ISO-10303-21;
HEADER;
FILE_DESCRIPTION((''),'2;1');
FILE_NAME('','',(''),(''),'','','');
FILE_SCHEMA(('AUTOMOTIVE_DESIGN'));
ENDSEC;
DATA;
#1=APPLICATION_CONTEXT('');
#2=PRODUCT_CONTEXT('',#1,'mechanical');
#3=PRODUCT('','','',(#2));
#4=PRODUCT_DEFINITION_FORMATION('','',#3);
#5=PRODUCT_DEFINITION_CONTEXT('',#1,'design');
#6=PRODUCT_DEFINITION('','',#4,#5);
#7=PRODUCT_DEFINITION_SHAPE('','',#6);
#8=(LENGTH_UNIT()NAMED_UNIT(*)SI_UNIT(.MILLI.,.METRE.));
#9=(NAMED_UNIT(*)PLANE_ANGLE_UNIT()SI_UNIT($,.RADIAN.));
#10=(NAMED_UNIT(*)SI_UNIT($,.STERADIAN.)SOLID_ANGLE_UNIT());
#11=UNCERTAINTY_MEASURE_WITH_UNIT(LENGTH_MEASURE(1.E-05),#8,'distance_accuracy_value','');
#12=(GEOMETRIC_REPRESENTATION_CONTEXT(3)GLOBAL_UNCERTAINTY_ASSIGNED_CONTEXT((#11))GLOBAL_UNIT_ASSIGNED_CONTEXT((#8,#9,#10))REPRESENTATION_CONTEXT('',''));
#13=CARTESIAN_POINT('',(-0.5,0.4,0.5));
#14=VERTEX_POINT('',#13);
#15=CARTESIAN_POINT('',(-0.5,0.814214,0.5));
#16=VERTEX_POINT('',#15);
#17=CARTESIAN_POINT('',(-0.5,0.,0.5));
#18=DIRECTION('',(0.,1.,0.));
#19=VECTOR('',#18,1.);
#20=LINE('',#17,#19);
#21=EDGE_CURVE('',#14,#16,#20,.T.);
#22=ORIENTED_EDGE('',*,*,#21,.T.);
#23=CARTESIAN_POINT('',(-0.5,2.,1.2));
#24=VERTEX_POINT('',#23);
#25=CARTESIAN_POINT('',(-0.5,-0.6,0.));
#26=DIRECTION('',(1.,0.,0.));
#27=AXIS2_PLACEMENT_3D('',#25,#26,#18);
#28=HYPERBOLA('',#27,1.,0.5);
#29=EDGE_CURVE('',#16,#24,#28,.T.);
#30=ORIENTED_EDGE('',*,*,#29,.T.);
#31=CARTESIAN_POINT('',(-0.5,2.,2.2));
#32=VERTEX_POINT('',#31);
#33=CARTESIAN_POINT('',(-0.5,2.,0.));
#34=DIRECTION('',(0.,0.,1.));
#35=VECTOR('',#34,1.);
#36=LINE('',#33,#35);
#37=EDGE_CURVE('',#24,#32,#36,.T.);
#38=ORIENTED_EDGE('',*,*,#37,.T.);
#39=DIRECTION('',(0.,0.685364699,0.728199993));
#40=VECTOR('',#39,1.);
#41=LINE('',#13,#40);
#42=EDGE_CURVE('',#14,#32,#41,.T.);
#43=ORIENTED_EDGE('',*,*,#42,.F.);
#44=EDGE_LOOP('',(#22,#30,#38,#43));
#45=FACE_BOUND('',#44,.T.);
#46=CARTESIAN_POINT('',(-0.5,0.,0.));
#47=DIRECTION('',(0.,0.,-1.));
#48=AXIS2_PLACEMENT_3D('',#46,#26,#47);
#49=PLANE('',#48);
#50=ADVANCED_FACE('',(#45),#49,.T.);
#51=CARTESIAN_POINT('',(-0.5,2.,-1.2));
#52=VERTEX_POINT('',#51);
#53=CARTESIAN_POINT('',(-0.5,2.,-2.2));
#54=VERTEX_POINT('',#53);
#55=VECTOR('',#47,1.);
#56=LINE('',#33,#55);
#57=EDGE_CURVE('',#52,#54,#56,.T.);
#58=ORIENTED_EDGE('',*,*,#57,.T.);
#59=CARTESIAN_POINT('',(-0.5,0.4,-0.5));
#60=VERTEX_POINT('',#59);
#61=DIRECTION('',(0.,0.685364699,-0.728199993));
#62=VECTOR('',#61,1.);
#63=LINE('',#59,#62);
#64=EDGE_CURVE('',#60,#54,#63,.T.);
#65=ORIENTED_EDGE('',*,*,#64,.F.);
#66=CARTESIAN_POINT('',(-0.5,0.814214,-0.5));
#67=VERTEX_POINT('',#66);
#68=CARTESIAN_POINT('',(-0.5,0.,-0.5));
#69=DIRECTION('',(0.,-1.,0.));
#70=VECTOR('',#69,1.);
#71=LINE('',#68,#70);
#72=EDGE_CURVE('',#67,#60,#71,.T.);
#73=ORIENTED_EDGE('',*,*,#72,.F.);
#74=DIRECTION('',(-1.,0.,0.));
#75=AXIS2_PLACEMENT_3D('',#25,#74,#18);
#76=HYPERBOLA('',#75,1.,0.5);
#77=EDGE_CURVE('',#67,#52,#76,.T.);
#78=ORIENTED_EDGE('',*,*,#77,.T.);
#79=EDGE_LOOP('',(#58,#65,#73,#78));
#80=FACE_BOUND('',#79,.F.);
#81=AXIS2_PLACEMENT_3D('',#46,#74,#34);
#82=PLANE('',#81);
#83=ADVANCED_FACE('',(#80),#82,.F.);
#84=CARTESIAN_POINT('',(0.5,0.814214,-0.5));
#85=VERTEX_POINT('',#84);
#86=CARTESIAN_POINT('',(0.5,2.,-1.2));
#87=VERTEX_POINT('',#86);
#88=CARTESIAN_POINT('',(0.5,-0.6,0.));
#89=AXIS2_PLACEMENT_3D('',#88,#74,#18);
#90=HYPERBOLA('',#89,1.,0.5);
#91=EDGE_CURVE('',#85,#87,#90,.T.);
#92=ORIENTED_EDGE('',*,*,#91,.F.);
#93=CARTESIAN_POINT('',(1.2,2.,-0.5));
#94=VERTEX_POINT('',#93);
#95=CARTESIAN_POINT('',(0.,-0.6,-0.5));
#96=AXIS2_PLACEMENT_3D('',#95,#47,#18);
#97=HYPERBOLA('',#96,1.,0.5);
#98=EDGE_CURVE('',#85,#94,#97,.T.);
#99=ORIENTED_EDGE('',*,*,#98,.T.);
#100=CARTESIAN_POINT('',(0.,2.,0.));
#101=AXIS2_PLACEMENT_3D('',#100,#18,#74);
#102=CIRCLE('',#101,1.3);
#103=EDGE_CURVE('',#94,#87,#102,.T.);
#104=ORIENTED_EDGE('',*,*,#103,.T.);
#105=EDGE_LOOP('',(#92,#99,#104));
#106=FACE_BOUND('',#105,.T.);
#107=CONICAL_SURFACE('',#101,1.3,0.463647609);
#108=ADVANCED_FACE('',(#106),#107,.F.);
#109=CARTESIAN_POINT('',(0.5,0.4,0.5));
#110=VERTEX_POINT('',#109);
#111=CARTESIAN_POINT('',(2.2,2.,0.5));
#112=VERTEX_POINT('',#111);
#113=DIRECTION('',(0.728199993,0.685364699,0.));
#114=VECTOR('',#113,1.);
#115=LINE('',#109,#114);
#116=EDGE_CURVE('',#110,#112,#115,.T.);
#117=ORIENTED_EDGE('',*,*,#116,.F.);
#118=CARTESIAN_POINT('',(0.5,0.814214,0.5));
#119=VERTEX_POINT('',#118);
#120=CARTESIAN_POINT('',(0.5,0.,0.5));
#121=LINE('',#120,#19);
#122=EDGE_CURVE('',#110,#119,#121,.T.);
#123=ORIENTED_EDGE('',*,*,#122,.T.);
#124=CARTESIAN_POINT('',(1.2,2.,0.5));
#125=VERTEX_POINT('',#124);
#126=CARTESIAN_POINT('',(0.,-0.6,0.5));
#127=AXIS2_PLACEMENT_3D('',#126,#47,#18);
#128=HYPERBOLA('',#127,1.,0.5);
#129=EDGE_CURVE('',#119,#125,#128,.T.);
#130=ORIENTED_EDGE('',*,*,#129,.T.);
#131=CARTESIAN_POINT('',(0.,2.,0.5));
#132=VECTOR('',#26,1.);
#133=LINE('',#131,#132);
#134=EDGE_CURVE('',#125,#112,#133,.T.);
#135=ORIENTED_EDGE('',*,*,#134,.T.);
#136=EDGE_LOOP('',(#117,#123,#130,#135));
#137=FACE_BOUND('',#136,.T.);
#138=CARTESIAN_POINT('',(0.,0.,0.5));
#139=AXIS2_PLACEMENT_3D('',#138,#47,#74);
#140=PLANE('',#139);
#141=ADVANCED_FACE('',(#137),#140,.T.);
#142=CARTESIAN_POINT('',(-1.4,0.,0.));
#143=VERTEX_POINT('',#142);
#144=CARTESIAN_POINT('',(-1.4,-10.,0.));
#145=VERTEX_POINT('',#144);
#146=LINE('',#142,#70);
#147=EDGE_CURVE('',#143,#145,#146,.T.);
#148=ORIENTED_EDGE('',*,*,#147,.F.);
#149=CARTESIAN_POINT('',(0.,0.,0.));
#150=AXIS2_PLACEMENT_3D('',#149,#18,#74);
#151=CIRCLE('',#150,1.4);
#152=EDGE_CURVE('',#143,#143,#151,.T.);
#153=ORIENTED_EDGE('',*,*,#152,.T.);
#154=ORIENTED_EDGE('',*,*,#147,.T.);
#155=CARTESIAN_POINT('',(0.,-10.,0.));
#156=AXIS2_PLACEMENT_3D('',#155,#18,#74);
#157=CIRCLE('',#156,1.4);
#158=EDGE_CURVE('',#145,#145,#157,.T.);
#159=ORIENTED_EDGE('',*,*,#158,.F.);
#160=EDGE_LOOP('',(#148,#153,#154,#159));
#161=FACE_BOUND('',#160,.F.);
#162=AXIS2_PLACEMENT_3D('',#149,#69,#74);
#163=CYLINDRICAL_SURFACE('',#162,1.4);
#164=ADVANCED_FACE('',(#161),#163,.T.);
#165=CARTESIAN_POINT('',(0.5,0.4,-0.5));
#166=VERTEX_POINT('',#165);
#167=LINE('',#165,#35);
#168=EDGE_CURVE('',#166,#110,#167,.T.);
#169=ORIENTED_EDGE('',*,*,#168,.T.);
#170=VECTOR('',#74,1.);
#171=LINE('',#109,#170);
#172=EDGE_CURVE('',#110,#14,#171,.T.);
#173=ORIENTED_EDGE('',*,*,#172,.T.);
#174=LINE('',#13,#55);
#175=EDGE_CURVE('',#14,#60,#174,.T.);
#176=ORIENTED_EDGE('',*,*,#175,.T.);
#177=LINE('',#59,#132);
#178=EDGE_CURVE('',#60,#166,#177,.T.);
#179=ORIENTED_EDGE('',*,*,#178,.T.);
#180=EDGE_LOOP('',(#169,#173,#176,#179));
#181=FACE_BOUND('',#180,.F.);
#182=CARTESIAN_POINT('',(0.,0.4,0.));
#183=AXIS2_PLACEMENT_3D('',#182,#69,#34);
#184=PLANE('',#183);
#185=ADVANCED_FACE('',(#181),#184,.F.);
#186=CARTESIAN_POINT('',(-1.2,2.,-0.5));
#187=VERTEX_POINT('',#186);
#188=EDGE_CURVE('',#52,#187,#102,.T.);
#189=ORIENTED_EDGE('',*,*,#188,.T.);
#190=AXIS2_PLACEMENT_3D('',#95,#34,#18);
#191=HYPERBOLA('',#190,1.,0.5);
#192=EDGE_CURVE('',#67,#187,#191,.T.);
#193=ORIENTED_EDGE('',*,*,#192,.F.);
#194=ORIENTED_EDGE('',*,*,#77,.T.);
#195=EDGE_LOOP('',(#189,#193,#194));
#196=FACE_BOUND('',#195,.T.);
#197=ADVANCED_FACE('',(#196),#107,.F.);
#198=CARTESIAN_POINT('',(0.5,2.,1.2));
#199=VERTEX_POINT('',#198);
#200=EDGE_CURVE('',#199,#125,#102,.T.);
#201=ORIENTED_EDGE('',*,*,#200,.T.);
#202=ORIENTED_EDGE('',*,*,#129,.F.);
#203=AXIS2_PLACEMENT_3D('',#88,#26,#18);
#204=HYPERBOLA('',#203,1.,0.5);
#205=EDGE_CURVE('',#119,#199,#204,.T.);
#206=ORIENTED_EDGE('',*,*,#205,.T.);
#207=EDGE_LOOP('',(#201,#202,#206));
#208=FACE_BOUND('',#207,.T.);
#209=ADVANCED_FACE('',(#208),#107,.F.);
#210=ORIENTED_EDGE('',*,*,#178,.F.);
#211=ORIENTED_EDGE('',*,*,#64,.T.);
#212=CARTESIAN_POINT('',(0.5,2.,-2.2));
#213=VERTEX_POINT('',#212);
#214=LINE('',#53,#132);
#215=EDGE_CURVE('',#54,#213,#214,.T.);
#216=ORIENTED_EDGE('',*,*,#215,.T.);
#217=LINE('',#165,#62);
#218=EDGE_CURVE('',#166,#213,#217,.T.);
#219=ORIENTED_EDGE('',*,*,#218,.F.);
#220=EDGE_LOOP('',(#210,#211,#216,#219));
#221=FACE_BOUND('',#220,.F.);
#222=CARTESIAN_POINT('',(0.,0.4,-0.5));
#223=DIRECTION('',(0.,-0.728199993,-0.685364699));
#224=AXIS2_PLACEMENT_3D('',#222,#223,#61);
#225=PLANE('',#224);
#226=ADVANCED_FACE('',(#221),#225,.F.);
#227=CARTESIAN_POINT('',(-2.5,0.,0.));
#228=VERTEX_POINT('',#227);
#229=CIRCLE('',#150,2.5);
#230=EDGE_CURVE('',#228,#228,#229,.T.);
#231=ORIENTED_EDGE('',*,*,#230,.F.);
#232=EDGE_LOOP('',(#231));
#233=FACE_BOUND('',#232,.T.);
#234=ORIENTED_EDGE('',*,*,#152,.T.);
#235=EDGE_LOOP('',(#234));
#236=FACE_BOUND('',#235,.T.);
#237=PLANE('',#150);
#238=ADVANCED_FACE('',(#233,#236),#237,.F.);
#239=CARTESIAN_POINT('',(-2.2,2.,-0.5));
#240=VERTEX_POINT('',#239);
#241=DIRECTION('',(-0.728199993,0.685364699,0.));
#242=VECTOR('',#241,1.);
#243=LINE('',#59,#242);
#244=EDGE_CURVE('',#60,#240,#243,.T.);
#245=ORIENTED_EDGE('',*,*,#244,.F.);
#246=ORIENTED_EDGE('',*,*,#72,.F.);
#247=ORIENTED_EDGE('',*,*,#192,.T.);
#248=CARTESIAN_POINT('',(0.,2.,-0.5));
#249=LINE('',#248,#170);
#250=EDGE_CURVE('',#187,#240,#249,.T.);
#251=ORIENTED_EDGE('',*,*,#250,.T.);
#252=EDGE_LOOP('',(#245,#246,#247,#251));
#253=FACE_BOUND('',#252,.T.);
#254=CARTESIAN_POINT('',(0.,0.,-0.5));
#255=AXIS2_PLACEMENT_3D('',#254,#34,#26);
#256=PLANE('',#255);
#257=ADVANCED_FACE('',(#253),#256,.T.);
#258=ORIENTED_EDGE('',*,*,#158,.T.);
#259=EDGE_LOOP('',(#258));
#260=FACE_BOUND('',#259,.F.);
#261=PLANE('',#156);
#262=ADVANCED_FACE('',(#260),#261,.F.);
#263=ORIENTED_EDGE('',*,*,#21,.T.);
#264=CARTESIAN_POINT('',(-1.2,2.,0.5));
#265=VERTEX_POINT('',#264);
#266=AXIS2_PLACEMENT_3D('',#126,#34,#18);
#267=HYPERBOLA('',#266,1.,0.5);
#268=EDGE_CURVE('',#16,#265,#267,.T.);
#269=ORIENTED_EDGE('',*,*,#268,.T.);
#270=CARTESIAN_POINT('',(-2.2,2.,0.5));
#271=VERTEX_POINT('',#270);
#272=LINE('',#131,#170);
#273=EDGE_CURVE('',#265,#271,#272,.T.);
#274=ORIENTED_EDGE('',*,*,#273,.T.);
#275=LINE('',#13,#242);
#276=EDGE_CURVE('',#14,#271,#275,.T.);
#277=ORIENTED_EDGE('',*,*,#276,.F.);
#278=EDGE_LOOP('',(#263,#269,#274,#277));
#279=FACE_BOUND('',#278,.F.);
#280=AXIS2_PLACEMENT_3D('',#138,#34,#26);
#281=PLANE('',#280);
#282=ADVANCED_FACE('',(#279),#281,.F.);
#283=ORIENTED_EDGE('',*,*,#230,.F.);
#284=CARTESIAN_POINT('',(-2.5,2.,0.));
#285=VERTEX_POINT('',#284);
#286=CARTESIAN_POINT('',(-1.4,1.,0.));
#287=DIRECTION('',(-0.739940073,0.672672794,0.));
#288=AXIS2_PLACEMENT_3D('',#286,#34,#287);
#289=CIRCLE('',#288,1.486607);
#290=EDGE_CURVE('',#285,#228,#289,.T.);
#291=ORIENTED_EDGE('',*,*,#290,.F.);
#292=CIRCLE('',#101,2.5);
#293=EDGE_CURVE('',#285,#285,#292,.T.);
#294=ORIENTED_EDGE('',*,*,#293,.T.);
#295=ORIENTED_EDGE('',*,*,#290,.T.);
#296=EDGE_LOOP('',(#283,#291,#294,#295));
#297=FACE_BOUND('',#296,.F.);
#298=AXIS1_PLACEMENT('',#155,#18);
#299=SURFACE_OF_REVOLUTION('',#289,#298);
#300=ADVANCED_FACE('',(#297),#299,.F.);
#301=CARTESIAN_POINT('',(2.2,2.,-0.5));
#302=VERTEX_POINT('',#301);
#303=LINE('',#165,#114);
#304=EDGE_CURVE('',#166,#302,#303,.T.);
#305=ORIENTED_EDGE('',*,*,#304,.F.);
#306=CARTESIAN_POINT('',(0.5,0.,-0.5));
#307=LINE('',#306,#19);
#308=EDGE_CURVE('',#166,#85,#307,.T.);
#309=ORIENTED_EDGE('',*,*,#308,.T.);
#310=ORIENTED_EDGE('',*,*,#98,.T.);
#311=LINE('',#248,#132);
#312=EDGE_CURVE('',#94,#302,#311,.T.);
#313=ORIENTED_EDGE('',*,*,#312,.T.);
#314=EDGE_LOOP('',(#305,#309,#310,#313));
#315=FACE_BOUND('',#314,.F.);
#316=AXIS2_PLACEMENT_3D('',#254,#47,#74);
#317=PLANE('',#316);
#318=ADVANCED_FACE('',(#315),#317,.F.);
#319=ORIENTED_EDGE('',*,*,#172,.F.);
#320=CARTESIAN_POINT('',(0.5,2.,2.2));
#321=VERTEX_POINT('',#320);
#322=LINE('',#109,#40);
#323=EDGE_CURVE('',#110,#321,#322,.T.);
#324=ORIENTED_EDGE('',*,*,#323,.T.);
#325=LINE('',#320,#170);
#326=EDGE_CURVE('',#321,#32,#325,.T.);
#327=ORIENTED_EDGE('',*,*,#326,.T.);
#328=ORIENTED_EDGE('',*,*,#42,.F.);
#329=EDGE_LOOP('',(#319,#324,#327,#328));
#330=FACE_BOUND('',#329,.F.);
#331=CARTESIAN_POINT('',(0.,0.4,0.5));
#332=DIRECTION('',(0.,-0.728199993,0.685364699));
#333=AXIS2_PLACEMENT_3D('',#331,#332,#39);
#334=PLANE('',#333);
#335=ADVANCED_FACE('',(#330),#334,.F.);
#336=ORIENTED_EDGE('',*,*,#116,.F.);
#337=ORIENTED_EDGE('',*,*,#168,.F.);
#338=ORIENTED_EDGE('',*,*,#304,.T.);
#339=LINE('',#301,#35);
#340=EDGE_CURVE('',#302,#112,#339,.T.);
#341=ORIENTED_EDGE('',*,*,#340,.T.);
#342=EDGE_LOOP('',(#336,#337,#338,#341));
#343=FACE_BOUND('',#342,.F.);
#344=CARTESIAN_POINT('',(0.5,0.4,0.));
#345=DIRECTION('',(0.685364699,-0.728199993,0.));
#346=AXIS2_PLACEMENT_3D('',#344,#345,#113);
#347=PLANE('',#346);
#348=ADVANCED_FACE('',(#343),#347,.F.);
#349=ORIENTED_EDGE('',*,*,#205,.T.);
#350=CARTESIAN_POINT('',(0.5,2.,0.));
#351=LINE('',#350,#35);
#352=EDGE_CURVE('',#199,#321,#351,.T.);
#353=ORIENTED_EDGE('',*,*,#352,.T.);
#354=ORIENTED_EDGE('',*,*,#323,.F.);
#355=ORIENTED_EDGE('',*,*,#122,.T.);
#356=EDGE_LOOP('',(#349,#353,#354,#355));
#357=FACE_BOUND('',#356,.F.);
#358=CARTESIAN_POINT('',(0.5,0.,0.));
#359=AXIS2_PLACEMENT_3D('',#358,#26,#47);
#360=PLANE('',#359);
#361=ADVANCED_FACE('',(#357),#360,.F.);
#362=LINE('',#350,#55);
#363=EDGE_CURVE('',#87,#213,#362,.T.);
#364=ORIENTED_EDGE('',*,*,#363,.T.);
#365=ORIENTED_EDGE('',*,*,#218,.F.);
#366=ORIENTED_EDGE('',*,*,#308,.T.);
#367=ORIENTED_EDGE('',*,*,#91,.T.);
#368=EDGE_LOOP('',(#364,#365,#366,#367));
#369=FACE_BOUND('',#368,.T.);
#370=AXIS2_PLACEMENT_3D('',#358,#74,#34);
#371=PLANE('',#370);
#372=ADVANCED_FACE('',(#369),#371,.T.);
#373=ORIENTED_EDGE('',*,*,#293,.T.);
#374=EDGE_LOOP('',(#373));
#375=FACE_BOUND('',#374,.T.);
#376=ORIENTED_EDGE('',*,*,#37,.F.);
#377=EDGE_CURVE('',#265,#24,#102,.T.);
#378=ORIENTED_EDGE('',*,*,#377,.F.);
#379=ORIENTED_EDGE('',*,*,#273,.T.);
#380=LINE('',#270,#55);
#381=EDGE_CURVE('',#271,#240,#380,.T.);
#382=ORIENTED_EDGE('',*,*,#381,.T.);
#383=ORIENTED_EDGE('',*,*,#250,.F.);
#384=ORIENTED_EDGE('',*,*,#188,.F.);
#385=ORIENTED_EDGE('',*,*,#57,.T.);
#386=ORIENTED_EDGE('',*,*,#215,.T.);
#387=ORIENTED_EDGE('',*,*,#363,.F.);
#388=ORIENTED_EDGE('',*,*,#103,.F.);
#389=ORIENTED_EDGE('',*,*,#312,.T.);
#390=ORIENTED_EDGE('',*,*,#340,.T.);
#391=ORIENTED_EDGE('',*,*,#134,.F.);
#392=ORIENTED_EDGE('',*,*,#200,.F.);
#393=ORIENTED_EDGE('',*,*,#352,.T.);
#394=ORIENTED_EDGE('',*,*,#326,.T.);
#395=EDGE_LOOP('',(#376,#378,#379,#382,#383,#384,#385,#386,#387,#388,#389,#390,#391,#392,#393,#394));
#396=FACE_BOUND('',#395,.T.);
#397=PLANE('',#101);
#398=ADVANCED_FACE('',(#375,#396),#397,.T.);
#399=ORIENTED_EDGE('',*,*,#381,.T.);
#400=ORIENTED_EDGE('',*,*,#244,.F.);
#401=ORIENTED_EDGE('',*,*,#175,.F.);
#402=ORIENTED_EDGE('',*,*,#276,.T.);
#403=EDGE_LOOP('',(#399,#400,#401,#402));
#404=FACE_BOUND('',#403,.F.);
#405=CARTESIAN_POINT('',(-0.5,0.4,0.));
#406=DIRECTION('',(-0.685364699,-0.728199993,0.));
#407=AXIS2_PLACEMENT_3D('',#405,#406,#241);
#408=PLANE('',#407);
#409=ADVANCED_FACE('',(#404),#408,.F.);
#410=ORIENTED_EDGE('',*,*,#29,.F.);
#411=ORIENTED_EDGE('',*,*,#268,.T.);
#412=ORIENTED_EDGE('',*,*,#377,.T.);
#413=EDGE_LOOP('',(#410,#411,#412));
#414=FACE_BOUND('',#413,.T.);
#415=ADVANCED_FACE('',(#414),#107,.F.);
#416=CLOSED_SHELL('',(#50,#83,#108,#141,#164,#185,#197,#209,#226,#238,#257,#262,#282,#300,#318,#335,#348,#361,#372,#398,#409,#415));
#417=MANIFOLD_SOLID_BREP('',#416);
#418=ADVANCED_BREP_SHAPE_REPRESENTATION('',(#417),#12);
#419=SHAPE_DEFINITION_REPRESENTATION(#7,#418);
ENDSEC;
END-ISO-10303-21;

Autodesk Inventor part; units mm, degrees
ref_plane "YZ Plane" through (0, 0, 0) normal (1, 0, 0) x (0, 1, 0)
ref_plane "XZ Plane" through (0, 0, 0) normal (0, 1, 0) x (-1, 0, 0)
ref_plane "XY Plane" through (0, 0, 0) normal (0, 0, 1) x (1, 0, 0)
sketch "Эскиз3" plane through (0, 0, 0) normal (0, 0, 1) x (1, 0, 0)
  line L0 (-1.4, 0) -> (-1.4, -10)
  line L1 (-1.4, -10) -> (0, -10)
  line L2 (0, -10) -> (0, 2)
  line L3 (-1.4, 0) -> (-2.5, 0)
  arc A0 (-2.5, 2) -> (-2.5, 0) centre (-1.4, 1) ccw
  line L4 (-1.3, 2) -> (-0.5, 0.4)
  line L5 (-0.5, 0.4) -> (0, 0.4)
  line L6 (-2.5, 2) -> (-1.3, 2)
  point P0 (0, 0)
  dimension "d4" = 2.8
  dimension "d6" = 1
  dimension "d7" = 5
  dimension "d8" = 10
  dimension "d10" = 2
  dimension "d12" = 2.6
  dimension "d13" = 0.4
  dimension "d14" = 1
revolve "Вращение1" add sketch "Эскиз3" angle 360 about axis through (0, -10, 0) along (0, 1, 0)
sketch "Эскиз5" plane through (0, 0, 0) normal (0, 0, 1) x (1, 0, 0)
  line L0 (0.5, 0.4) -> (-0.5, 0.4) projected
  line L1 (-0.5, 0.4) -> (-2.2, 2)
  line L2 (2.5, 2) -> (-2.5, 2) projected
  line L3 (-2.2, 2) -> (0, 2)
  line L4 (1.3, 2) -> (-1.3, 2) projected
  line L5 (0, 0.4) -> (-0.5, 0.4)
  line L6 (0, 0.4) -> (0, 2)
  point P0 (0, 0)
  dimension "d15" = 2.2
extrude "Выдавливание2" cut sketch "Эскиз5" along normal mid plane 1
pattern_circular "Круговой массив1" count 4 over 360 about axis through (0, -10, 0) along (0, 1, 0) of "Выдавливание2"
thread "Резьба1" size "M3x0.5" class "6g" standard "ANSI Metric M Profile" full length
properties part number "M3x16" material "Сталь, литейная"
